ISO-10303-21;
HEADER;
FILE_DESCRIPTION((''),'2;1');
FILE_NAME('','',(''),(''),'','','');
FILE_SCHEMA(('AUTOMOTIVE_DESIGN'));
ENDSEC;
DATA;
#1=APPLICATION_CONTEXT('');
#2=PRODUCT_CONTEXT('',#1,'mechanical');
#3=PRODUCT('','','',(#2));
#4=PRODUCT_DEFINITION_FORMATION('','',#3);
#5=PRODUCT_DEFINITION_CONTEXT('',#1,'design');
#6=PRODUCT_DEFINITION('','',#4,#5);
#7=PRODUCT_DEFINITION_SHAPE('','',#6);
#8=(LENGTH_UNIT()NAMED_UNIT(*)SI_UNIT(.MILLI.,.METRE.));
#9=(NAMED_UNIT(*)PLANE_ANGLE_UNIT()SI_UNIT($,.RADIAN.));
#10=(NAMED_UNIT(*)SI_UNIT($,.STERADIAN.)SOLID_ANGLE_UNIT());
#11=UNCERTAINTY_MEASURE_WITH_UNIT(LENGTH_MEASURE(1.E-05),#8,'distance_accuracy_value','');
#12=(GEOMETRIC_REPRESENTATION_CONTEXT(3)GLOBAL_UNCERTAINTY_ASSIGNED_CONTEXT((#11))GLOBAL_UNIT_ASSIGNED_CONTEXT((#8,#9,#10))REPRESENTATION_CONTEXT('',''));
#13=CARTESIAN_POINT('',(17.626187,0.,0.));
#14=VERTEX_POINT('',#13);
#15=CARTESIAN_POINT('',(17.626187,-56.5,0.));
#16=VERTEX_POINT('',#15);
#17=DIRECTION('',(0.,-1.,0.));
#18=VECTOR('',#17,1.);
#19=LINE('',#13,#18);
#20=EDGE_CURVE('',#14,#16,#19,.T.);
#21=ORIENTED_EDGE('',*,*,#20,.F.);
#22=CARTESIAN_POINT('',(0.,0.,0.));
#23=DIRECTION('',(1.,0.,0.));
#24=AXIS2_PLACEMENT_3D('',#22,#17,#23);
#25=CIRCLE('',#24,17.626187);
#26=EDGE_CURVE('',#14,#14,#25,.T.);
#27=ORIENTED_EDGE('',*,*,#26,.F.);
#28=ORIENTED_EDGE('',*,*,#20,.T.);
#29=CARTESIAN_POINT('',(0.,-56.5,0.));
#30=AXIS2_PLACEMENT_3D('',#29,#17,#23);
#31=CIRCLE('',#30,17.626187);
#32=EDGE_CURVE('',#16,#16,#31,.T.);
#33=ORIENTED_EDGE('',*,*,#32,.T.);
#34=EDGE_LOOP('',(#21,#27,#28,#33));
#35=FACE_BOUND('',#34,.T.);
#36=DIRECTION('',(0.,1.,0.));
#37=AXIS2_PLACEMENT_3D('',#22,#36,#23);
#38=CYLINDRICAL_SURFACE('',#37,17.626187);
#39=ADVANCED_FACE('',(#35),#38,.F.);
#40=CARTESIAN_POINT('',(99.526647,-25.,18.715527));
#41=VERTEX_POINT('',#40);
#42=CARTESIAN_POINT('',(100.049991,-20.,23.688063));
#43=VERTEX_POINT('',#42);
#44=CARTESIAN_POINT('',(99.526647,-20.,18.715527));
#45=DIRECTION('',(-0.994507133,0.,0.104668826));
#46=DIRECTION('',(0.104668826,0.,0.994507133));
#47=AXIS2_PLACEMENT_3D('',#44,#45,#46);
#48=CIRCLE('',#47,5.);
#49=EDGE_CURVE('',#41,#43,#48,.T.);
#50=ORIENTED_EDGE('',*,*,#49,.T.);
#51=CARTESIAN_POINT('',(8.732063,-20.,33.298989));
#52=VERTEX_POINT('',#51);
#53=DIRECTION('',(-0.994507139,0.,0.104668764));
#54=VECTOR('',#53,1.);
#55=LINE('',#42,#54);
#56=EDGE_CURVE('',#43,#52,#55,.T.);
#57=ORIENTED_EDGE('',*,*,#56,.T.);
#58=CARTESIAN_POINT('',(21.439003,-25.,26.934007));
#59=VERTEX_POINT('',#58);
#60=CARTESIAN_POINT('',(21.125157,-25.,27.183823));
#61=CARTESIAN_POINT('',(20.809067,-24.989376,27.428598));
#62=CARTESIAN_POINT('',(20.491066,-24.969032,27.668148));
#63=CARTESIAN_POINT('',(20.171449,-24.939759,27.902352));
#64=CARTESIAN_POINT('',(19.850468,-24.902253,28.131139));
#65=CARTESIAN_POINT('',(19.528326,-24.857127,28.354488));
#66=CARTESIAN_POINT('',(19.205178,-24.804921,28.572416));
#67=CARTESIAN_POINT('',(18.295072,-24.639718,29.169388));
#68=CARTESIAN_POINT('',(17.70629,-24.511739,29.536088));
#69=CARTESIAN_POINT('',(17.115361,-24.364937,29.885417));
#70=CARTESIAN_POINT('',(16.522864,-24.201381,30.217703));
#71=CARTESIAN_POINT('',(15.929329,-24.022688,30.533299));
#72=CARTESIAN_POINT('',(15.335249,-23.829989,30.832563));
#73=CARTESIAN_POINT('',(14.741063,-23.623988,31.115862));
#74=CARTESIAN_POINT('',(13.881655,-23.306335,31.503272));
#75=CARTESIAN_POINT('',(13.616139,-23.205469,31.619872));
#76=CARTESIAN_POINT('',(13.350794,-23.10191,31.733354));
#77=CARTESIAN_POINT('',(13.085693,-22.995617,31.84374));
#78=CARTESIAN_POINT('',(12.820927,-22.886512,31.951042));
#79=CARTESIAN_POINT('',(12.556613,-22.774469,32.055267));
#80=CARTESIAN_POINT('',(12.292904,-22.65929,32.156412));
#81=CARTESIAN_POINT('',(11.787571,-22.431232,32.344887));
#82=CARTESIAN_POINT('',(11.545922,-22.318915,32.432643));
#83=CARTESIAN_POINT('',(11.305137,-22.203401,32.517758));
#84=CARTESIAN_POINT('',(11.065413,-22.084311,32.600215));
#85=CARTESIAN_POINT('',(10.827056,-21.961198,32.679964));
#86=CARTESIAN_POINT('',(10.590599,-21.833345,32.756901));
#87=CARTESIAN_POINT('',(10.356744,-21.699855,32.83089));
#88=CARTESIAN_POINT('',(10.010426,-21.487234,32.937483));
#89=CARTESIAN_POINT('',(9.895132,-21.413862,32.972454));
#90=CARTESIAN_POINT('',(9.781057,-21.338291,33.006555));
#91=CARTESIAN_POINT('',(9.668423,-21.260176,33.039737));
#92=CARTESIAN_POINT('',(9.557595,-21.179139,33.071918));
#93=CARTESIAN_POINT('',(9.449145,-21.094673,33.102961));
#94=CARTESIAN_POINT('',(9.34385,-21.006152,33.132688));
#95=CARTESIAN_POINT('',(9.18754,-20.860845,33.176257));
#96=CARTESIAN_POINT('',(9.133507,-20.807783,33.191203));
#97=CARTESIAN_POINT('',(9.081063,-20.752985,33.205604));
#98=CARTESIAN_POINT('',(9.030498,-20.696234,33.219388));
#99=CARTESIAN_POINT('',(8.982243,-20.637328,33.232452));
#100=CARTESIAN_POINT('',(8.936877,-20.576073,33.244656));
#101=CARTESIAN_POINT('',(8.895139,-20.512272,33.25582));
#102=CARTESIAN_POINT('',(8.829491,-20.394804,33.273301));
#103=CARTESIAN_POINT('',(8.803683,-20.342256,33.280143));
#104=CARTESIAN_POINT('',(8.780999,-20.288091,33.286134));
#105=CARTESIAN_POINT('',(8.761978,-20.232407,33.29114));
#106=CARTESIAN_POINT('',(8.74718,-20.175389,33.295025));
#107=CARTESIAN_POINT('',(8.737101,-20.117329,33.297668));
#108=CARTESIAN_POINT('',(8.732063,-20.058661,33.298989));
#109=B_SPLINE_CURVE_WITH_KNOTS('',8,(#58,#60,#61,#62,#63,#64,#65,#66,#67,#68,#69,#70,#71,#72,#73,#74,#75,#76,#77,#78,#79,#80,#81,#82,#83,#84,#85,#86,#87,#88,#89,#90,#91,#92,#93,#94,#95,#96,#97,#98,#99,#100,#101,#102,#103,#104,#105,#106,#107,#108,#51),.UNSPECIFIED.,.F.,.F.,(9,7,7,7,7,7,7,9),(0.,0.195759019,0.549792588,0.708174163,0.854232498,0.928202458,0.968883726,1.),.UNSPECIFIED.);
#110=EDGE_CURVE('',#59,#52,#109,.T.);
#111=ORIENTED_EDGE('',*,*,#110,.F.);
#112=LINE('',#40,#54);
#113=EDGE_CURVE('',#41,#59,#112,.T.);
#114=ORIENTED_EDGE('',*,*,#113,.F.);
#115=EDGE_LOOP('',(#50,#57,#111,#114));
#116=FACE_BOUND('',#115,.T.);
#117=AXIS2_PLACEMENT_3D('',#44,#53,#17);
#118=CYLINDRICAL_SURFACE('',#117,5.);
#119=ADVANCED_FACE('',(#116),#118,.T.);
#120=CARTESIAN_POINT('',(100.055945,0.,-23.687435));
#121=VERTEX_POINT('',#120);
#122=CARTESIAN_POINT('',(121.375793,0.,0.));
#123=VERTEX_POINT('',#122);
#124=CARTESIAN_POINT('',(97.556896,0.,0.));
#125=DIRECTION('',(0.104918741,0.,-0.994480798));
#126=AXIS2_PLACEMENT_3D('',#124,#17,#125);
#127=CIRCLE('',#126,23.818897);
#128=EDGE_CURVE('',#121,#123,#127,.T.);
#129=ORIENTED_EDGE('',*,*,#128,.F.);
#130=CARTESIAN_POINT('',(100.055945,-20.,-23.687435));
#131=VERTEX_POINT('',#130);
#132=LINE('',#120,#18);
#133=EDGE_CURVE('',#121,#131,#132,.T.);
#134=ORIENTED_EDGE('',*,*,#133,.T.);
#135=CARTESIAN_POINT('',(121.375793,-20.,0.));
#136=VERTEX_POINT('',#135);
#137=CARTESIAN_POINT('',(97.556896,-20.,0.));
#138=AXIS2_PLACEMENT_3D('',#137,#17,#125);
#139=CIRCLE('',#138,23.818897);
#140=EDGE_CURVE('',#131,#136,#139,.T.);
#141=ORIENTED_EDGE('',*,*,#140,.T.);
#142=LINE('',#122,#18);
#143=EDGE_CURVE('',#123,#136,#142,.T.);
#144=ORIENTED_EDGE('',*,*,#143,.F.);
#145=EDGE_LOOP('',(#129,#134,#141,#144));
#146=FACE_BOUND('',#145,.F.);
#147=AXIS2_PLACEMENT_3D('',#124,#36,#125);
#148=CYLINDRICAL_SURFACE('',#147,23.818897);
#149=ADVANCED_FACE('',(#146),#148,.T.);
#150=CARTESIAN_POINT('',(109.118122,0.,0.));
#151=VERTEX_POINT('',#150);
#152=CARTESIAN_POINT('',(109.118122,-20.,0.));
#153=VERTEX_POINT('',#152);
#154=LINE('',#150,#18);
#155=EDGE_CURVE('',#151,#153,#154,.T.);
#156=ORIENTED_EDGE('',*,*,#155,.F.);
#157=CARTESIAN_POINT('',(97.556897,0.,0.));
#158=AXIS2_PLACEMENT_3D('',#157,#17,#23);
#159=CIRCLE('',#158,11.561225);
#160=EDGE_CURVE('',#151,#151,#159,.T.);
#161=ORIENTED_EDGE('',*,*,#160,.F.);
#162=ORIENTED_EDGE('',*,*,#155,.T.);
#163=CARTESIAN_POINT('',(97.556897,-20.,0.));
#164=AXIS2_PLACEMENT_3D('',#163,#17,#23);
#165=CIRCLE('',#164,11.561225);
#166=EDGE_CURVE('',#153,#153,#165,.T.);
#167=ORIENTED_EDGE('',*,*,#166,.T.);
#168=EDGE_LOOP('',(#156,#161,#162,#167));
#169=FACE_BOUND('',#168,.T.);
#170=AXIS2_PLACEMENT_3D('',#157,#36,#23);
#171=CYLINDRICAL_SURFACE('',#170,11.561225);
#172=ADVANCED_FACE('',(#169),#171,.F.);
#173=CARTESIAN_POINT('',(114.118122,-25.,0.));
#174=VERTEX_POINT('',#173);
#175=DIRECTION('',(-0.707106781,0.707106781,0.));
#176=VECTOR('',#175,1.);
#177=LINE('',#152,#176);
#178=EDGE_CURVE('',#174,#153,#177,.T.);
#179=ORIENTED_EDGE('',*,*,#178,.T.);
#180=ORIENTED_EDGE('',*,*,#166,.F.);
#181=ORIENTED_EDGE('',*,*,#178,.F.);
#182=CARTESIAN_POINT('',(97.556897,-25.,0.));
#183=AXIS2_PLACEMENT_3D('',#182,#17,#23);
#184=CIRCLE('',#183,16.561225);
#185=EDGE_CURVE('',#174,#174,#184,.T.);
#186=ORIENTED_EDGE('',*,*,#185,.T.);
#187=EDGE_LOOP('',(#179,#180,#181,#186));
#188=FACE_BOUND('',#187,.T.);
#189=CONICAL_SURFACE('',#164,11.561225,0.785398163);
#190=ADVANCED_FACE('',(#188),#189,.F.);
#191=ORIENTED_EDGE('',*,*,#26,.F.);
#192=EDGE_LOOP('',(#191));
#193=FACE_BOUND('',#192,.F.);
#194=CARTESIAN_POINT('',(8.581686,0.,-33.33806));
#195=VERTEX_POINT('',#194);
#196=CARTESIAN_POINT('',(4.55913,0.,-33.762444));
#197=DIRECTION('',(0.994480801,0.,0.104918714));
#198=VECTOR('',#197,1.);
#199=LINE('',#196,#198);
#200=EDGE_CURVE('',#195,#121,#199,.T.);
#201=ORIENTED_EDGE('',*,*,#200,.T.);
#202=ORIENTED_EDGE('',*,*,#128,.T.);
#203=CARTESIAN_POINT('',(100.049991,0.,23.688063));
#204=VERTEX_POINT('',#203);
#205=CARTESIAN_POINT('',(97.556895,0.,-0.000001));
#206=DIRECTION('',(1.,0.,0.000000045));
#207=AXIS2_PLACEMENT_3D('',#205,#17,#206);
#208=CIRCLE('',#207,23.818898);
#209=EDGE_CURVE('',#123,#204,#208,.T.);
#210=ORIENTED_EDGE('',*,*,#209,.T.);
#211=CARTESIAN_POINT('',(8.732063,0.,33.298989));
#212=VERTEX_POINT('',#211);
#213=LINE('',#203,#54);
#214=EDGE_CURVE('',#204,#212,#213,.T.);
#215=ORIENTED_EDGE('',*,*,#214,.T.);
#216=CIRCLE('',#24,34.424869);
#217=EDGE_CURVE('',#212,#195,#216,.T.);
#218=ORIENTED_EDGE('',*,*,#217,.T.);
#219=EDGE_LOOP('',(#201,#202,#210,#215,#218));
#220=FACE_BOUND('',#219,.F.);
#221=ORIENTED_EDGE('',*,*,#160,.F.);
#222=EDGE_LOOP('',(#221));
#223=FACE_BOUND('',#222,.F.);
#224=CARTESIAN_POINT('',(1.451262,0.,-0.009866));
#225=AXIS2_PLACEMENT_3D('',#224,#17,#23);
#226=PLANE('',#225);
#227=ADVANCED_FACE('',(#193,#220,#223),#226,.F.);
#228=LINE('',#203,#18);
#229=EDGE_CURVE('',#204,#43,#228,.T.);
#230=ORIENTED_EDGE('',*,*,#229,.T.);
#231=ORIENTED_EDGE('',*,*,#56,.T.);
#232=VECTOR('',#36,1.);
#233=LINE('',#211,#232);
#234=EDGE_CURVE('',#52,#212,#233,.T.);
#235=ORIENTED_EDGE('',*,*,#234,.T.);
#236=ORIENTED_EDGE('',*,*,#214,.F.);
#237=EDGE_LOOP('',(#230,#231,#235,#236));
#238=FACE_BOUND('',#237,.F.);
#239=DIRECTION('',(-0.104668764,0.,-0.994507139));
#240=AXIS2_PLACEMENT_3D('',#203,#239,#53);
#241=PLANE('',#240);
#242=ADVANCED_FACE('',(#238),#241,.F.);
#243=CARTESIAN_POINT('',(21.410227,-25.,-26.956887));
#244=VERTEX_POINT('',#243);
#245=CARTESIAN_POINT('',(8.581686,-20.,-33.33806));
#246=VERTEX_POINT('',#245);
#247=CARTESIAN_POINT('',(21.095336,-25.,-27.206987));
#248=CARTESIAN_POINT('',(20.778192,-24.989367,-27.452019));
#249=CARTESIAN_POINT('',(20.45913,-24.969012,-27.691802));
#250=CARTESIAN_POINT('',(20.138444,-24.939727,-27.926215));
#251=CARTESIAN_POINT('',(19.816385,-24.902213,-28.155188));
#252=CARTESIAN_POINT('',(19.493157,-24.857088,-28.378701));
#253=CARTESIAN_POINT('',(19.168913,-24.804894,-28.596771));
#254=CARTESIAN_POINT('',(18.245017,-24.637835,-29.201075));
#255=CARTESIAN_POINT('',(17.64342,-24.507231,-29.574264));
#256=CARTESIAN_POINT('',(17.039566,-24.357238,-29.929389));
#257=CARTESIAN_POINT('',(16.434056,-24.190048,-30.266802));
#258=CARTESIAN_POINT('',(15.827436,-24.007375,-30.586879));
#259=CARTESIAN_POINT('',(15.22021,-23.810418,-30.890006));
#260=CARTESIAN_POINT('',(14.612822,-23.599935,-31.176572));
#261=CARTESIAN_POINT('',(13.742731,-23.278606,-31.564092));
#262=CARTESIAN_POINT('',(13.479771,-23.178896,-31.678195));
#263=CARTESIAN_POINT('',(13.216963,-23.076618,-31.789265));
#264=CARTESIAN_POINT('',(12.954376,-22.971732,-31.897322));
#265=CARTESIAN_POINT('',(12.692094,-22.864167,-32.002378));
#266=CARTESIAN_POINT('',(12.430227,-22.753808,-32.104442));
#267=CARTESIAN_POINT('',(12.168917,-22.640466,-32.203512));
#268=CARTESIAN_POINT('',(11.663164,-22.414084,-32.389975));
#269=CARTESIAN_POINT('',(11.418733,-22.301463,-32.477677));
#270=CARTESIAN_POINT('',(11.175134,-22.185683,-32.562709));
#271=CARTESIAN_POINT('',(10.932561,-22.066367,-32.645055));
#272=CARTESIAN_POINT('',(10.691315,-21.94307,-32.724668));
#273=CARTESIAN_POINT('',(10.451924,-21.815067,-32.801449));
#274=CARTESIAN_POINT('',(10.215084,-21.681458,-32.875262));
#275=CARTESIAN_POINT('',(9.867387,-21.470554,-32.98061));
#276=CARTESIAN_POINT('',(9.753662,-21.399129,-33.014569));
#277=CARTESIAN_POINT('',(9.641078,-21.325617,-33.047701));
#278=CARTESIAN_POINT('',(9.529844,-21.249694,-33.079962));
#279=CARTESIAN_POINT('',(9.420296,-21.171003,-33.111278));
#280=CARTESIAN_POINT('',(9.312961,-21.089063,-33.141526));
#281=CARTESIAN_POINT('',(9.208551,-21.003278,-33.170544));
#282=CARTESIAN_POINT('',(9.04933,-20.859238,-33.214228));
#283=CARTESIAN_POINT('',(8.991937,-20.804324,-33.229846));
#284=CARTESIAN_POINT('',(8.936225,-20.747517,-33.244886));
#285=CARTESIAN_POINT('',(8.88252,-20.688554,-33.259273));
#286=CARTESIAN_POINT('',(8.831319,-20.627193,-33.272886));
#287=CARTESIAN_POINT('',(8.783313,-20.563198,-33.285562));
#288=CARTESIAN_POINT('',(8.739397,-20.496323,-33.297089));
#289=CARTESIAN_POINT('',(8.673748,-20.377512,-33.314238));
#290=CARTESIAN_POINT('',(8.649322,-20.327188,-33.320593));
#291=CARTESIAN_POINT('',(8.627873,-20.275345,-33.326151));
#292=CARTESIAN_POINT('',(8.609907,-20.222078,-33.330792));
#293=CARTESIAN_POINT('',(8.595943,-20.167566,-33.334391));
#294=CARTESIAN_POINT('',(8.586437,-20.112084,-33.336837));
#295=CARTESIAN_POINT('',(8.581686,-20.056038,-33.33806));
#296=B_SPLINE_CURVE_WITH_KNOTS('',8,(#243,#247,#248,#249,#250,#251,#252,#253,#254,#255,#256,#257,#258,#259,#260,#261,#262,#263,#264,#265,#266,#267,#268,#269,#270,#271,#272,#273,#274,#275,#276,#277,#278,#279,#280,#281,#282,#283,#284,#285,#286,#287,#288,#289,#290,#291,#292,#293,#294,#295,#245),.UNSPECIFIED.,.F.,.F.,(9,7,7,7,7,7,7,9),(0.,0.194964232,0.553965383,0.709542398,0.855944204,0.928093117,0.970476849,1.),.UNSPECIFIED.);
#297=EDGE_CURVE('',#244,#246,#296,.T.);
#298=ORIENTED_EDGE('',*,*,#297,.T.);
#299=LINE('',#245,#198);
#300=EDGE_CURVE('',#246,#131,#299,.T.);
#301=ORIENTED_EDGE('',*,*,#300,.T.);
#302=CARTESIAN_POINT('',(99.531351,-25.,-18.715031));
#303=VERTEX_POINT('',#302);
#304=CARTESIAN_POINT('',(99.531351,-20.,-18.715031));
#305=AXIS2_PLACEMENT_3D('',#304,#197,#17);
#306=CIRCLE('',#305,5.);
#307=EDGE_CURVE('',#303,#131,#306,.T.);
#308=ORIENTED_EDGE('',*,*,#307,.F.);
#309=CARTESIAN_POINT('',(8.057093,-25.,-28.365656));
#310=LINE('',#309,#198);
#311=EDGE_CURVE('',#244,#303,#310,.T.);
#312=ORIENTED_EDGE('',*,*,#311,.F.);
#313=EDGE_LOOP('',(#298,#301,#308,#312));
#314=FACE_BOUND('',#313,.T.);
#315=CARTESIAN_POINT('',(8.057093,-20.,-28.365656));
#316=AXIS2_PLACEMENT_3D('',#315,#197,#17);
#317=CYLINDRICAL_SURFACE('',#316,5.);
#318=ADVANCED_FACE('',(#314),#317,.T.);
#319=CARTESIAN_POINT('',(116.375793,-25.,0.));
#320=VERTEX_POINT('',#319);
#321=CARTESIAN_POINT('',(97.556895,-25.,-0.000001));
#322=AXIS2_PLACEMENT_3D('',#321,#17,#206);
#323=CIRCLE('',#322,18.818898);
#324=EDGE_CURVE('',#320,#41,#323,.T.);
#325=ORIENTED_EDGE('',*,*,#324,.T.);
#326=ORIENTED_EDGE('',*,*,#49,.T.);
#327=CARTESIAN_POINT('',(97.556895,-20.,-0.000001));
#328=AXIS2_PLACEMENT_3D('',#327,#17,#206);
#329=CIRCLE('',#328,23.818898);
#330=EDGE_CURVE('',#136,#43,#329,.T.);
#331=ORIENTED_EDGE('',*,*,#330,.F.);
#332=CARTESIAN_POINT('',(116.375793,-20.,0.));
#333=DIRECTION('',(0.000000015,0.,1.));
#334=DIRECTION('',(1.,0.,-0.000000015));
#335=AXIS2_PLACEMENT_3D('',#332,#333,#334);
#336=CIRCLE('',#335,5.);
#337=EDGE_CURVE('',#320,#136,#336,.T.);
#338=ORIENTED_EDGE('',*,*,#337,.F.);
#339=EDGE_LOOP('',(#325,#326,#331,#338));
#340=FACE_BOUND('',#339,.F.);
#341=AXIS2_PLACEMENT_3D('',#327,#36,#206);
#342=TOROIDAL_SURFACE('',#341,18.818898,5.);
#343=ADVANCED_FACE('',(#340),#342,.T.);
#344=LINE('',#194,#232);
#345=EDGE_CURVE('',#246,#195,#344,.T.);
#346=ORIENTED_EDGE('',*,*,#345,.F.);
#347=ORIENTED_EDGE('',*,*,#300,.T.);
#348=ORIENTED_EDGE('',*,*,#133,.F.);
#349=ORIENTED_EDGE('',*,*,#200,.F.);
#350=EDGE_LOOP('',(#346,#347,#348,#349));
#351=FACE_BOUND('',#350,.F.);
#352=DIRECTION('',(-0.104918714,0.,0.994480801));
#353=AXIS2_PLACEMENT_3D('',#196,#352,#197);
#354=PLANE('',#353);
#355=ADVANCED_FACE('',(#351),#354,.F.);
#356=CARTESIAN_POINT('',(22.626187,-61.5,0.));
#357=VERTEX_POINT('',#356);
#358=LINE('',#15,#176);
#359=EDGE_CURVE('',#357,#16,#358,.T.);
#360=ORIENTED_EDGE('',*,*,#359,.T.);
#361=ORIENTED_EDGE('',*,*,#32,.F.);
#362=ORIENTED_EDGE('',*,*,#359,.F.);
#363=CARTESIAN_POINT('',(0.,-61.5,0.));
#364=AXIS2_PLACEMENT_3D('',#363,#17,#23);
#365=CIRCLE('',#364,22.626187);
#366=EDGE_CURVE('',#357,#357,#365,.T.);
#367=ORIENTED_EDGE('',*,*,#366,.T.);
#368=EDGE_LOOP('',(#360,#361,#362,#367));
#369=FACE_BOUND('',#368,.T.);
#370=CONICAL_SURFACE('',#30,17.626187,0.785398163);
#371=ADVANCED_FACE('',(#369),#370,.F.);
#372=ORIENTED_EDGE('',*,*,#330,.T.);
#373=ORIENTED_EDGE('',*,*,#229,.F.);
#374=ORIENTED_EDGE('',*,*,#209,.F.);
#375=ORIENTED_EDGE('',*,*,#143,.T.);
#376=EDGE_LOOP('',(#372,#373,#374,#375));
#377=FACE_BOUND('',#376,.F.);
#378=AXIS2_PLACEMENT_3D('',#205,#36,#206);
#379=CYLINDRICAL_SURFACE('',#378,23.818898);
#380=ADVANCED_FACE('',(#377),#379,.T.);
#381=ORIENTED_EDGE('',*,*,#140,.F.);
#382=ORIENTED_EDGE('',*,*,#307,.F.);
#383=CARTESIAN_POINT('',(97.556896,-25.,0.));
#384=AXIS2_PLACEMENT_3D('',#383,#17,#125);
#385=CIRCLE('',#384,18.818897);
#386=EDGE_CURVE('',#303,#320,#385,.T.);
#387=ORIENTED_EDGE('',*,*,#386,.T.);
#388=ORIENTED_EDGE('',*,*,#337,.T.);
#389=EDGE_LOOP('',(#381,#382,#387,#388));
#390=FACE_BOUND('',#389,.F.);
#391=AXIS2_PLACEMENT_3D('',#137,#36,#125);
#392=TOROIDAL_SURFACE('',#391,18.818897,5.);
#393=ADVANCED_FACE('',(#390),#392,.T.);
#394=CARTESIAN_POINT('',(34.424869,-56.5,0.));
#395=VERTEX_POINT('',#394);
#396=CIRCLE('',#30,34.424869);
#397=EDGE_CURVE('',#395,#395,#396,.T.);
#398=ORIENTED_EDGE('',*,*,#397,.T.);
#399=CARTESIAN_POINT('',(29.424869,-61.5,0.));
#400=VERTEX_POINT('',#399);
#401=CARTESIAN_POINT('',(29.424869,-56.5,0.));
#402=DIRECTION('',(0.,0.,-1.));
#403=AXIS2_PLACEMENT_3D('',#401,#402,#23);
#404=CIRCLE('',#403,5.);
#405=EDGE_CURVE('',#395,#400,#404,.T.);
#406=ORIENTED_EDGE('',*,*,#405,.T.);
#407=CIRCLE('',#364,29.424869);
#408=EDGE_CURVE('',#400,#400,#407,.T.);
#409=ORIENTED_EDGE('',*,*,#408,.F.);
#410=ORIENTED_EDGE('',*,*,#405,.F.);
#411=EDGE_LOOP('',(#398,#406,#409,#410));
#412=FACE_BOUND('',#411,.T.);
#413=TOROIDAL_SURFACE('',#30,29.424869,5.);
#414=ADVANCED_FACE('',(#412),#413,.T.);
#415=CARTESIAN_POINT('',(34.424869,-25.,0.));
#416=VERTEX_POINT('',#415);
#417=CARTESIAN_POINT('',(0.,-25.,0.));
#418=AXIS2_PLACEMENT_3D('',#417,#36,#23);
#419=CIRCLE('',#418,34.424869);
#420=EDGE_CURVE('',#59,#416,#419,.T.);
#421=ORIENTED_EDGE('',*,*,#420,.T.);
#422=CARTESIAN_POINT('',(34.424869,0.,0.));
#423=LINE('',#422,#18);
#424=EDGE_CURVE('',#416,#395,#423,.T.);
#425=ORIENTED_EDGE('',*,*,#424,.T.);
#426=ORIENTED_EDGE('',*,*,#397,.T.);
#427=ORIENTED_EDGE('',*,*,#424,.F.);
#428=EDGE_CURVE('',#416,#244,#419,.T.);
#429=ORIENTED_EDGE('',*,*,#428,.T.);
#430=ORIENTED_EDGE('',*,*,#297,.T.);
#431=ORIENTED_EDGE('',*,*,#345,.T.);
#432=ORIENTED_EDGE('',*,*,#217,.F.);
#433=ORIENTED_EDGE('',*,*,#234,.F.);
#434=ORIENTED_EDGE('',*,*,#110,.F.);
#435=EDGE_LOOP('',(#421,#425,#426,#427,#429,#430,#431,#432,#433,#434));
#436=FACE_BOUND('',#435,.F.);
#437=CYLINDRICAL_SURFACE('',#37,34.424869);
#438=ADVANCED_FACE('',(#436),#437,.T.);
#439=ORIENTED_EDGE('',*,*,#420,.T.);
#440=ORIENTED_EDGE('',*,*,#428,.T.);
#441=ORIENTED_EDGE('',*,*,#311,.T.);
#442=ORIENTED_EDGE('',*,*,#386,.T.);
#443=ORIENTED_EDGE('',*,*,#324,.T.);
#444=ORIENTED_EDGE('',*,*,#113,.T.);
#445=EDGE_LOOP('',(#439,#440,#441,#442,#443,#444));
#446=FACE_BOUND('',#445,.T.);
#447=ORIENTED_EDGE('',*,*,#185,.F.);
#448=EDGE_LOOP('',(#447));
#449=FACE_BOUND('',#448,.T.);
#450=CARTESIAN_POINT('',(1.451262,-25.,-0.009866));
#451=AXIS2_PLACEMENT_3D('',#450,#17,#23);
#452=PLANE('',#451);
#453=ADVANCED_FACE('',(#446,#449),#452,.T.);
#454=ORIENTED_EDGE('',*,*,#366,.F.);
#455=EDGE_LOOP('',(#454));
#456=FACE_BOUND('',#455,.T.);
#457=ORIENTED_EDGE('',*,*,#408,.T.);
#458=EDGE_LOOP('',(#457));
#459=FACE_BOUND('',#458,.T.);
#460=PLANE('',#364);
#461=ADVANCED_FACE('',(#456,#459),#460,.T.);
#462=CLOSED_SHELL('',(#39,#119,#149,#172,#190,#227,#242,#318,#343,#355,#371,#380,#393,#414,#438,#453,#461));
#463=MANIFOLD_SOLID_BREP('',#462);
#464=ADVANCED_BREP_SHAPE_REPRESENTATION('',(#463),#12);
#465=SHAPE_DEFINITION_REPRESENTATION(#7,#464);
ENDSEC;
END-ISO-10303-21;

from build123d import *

# Parameters (mm, degrees)
F0_R     = 17.918738
F0_R_2   = 11.561225
F1_DEPTH = 25
F2_R     = 34.424869
F2_R_2   = 17.626187
F3_DEPTH = 61.5
F4_R     = 5
F5_SIZE  = 5
F6_SIZE  = 5
F7_R     = 5


with BuildPart() as f1:
    # F0 (on Front) → F1 (new body)
    with BuildSketch(Plane.XZ):
        with BuildLine():
            ThreePointArc((4.55913, -33.762444), (25.651635, -22.42057), (34.068876, 0))
            ThreePointArc((34.068876, 0), (25.85659, 22.183893), (5.178866, 33.672952))
            ThreePointArc((5.178866, 33.672952), (-34.067438, 0.313082), (4.55913, -33.762444))
        make_face()
        Circle(F0_R, mode=Mode.SUBTRACT)
        with BuildLine():
            ThreePointArc((5.178866, 33.672952), (25.85659, 22.183893), (34.068876, 0))
            ThreePointArc((34.068876, 0), (25.651635, -22.42057), (4.55913, -33.762444))
            Line((4.55913, -33.762444), (100.055945, -23.687435))
            ThreePointArc((100.055945, -23.687435), (73.738, -0.002993), (100.049991, 23.688063))
            Line((100.049991, 23.688063), (5.178866, 33.672952))
        make_face()
        with BuildLine():
            ThreePointArc((121.375793, 0), (115.25891, 15.936704), (100.049991, 23.688063))
            ThreePointArc((100.049991, 23.688063), (73.738, -0.002993), (100.055945, -23.687435))
            ThreePointArc((100.055945, -23.687435), (115.260913, -15.934479), (121.375793, 0))
        make_face()
        with Locations((97.556897, 0)):
            Circle(F0_R_2, mode=Mode.SUBTRACT)
    extrude(amount=F1_DEPTH)

    # F2 (on Front) → F3 (join)
    with BuildSketch(Plane.XZ):
        Circle(F2_R)
        Circle(F2_R_2, mode=Mode.SUBTRACT)
    extrude(amount=F3_DEPTH)

    # F4
    f4_edges = [f1.edges().sort_by_distance(p)[0] for p in [
        (-34.424869, -61.5, 0),
    ]]
    fillet(f4_edges, radius=F4_R)

    # F5
    f5_edges = [f1.edges().sort_by_distance(p)[0] for p in [
        (-17.626187, -61.5, 0),
    ]]
    chamfer(f5_edges, length=F5_SIZE)

    # F6
    f6_edges = [f1.edges().sort_by_distance(p)[0] for p in [
        (85.995671, -25, 0),
    ]]
    chamfer(f6_edges, length=F6_SIZE)

    # F7
    f7_edges = [f1.edges().sort_by_distance(p)[0] for p in [
        (54.318812, -25, -28.512748),
    ]]
    fillet(f7_edges, radius=F7_R)


solid = f1.part
